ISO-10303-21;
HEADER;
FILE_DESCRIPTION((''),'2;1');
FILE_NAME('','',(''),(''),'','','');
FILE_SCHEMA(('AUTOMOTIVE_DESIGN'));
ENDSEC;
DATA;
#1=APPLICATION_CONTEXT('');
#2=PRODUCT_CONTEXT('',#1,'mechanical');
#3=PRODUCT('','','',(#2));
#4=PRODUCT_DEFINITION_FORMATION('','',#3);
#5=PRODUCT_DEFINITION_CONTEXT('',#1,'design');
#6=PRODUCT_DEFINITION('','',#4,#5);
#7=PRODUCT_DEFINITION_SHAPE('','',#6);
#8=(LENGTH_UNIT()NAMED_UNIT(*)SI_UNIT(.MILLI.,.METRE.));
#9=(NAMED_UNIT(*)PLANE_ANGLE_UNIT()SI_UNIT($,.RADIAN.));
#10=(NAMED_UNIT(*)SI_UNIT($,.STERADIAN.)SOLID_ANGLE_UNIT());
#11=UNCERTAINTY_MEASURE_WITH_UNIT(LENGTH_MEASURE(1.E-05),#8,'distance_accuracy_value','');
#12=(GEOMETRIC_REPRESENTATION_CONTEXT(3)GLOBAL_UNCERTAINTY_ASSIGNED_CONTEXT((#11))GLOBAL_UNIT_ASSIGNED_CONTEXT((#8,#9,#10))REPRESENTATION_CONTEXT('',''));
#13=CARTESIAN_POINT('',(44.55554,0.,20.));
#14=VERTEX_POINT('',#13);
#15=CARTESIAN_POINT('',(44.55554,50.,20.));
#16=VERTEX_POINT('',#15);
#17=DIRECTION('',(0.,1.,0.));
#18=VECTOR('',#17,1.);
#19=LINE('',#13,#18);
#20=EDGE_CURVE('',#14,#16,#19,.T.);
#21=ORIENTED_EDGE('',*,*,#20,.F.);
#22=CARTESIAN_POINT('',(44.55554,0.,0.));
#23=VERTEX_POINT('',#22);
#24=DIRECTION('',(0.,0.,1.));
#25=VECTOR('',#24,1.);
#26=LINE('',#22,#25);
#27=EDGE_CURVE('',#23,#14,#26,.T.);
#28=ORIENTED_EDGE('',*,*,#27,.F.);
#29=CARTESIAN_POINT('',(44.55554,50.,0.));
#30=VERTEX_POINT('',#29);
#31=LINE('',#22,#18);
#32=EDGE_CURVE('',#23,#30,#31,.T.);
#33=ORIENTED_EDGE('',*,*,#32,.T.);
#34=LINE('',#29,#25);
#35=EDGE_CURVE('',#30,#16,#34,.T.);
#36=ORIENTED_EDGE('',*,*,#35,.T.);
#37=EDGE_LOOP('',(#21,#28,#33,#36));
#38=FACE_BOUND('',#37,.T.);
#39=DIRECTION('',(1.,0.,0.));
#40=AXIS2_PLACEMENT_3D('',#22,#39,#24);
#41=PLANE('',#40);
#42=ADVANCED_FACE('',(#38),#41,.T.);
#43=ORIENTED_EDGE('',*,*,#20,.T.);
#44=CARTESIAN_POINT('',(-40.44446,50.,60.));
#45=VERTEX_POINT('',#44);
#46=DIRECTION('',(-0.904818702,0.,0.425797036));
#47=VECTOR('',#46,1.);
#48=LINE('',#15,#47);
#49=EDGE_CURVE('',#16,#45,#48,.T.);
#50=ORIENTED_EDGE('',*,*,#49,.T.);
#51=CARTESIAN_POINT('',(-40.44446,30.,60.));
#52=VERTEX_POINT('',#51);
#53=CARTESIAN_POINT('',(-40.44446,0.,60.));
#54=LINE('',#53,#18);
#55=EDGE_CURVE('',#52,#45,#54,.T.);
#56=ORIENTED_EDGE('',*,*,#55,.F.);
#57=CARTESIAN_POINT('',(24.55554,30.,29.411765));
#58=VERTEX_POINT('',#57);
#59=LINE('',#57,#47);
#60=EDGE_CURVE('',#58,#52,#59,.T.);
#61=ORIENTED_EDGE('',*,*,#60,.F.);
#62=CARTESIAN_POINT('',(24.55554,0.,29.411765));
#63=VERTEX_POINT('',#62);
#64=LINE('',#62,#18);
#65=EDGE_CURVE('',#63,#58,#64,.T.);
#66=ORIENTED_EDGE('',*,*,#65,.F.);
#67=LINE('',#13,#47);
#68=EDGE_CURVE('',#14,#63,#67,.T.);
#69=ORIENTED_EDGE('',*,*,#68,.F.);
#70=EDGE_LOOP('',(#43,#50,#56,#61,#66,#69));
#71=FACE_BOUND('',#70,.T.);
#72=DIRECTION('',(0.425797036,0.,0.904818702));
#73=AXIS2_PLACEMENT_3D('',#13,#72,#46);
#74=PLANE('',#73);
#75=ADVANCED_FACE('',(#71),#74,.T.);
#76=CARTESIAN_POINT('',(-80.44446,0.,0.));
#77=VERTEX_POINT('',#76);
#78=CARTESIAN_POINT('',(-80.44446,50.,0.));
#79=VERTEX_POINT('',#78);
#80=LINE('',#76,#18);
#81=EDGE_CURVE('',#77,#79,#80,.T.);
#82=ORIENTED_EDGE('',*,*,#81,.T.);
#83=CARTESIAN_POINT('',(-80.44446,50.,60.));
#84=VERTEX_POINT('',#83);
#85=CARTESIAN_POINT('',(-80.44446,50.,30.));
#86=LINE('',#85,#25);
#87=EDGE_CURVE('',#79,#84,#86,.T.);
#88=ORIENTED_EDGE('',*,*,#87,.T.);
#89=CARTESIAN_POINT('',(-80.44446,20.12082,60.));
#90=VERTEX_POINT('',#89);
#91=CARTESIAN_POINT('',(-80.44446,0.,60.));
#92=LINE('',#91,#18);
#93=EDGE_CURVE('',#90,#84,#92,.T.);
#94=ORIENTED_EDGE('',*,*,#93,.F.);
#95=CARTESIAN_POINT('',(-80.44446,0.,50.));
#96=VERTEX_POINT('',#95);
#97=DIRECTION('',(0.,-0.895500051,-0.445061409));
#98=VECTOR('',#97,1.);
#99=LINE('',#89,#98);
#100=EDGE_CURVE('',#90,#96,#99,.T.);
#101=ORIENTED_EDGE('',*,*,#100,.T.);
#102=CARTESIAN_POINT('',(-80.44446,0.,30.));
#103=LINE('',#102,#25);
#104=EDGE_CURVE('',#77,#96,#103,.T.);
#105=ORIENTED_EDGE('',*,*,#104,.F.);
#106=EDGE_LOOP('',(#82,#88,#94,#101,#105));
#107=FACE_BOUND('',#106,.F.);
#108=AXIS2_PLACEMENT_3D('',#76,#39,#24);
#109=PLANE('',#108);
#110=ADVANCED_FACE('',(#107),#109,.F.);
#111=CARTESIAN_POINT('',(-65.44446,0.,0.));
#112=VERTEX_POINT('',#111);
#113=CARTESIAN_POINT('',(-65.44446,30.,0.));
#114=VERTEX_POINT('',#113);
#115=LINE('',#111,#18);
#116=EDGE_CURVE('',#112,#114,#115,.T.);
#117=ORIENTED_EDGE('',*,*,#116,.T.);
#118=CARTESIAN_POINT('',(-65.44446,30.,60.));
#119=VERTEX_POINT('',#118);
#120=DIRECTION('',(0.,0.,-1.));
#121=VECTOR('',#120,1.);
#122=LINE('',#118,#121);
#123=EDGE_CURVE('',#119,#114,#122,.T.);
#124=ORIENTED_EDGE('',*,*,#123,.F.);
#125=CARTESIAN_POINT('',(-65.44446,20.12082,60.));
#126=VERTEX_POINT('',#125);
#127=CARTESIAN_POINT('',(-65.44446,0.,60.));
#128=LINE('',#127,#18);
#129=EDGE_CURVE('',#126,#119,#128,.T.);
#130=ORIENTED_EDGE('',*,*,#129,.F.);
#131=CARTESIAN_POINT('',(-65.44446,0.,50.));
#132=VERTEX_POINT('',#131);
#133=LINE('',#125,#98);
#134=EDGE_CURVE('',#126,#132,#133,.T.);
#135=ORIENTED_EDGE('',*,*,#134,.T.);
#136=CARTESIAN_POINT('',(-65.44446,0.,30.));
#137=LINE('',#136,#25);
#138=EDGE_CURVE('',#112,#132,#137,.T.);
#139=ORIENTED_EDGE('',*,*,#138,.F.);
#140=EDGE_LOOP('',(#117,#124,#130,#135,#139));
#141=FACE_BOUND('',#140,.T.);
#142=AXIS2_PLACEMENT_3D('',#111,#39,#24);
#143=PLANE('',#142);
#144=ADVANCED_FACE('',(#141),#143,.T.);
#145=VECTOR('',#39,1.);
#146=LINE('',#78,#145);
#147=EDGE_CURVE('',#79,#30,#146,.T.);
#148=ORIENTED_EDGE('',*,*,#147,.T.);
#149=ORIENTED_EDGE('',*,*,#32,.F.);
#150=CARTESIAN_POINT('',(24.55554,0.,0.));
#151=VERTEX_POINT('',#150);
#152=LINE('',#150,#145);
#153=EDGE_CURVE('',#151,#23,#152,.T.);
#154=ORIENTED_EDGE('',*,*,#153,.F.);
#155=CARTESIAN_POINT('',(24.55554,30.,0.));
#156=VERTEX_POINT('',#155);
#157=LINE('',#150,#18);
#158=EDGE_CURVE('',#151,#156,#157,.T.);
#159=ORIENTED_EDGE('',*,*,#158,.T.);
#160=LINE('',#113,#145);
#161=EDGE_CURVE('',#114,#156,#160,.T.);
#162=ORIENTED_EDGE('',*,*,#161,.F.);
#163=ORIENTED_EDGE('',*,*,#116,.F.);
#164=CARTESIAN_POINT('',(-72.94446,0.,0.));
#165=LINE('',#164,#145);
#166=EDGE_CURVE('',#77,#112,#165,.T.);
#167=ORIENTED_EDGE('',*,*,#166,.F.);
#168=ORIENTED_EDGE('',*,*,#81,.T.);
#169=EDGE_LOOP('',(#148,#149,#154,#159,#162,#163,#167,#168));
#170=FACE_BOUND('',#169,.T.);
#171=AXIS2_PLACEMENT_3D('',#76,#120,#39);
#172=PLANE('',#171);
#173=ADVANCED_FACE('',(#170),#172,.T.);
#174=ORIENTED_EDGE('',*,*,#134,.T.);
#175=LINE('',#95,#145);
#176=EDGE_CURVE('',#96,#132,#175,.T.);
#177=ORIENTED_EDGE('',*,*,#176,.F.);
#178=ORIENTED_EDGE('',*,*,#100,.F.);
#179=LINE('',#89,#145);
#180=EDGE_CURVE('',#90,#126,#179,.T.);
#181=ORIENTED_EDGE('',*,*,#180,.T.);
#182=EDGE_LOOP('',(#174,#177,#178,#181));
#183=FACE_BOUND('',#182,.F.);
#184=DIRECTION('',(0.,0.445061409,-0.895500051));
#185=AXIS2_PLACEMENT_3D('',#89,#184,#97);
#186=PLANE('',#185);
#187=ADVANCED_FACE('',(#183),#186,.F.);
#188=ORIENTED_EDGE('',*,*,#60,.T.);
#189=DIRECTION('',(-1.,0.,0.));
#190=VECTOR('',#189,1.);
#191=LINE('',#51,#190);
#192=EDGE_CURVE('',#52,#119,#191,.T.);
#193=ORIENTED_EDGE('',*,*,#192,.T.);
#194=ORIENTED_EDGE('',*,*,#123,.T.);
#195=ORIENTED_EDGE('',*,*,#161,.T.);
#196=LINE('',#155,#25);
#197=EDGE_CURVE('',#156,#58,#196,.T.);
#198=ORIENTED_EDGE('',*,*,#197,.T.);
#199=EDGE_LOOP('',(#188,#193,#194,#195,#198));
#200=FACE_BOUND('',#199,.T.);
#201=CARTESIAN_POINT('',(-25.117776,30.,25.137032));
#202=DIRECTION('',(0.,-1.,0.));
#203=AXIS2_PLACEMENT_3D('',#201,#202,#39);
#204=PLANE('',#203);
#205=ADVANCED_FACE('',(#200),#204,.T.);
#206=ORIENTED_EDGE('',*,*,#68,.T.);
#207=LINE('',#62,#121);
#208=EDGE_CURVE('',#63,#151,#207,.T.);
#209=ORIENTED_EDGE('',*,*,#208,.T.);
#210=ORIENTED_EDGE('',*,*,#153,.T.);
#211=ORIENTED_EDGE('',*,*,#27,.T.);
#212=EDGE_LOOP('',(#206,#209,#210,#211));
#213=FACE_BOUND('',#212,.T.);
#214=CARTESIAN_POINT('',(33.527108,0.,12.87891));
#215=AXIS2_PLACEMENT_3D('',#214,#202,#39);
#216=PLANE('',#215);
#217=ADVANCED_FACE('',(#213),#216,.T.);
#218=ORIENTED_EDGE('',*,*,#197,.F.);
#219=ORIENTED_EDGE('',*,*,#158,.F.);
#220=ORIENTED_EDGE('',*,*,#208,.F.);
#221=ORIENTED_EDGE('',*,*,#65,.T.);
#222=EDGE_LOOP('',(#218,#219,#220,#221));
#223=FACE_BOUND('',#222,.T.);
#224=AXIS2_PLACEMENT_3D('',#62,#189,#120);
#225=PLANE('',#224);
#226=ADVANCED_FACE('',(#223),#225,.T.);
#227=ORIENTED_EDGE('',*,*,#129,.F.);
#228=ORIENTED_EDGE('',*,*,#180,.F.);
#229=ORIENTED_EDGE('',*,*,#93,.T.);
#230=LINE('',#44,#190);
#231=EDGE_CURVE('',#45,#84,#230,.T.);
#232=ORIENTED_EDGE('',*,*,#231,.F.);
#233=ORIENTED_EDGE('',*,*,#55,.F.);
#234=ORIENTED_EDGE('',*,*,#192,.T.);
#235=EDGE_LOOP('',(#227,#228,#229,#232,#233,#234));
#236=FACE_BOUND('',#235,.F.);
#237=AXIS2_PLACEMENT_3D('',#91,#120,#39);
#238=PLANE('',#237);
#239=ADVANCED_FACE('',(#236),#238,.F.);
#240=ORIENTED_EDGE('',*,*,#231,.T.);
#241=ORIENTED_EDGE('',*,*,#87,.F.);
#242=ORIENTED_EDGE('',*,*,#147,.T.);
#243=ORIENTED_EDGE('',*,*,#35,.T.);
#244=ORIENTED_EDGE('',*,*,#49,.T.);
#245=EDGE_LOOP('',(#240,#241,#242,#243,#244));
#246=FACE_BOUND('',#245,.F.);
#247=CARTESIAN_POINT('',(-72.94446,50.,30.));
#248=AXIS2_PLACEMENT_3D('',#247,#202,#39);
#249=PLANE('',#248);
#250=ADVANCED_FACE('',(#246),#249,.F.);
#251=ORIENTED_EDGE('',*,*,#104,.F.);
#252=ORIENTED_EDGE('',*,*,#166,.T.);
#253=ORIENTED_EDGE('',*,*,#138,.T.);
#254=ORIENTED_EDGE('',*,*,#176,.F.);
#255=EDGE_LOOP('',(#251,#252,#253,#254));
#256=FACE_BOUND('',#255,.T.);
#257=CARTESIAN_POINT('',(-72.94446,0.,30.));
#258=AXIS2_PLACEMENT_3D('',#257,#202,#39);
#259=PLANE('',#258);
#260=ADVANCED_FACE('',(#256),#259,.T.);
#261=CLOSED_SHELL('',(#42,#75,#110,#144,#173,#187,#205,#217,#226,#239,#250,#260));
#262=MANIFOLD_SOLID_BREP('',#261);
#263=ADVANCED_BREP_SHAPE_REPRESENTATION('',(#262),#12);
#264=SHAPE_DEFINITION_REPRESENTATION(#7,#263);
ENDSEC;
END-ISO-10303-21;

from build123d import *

# Parameters (mm, degrees)
F2_DEPTH = 50
F3_DEPTH = 30
F4_DEPTH = 50
F1_W     = 15
F1_H     = 60
F5_DEPTH = 50
F7_DEPTH = 15


with BuildPart() as f2:
    # F1 (on Front) → F2 (new body)
    with BuildSketch(Plane.XZ):
        Polygon((-65.4444598283, 60), (-65.4444598283, 0), (24.5555401717, 0), (24.5555401717, 29.4117647059), (-40.4444598283, 60), align=None)
    extrude(amount=-F2_DEPTH)

    # F3 (cut): a face of the model
    f3_faces = [f2.faces().sort_by_distance(p)[0] for p in [
        (-25.7092573361, 0, 25.5315584178),
    ]]
    extrude(f3_faces, amount=-F3_DEPTH, mode=Mode.SUBTRACT)

    # F1 (on Front) → F4 (join)
    with BuildSketch(Plane.XZ):
        Polygon((24.5555401717, 29.4117647059), (24.5555401717, 0), (44.5555401717, 0), (44.5555401717, 20), align=None)
    extrude(amount=-F4_DEPTH)

    # F1 (on Front) → F5 (join)
    with BuildSketch(Plane.XZ):
        with Locations((-72.9444598283, 30)):
            Rectangle(F1_W, F1_H)
    extrude(amount=-F5_DEPTH)

    # F6 (on face) → F7 (cut)
    with BuildSketch(Plane(origin=(-80.4444598283, 0, 0), x_dir=(0, -1, 0), z_dir=(-1, 0, 0))):
        Polygon((-20.1208200306, 60), (0, 50), (0, 60), align=None)
    extrude(amount=-F7_DEPTH, mode=Mode.SUBTRACT)


solid = f2.part
